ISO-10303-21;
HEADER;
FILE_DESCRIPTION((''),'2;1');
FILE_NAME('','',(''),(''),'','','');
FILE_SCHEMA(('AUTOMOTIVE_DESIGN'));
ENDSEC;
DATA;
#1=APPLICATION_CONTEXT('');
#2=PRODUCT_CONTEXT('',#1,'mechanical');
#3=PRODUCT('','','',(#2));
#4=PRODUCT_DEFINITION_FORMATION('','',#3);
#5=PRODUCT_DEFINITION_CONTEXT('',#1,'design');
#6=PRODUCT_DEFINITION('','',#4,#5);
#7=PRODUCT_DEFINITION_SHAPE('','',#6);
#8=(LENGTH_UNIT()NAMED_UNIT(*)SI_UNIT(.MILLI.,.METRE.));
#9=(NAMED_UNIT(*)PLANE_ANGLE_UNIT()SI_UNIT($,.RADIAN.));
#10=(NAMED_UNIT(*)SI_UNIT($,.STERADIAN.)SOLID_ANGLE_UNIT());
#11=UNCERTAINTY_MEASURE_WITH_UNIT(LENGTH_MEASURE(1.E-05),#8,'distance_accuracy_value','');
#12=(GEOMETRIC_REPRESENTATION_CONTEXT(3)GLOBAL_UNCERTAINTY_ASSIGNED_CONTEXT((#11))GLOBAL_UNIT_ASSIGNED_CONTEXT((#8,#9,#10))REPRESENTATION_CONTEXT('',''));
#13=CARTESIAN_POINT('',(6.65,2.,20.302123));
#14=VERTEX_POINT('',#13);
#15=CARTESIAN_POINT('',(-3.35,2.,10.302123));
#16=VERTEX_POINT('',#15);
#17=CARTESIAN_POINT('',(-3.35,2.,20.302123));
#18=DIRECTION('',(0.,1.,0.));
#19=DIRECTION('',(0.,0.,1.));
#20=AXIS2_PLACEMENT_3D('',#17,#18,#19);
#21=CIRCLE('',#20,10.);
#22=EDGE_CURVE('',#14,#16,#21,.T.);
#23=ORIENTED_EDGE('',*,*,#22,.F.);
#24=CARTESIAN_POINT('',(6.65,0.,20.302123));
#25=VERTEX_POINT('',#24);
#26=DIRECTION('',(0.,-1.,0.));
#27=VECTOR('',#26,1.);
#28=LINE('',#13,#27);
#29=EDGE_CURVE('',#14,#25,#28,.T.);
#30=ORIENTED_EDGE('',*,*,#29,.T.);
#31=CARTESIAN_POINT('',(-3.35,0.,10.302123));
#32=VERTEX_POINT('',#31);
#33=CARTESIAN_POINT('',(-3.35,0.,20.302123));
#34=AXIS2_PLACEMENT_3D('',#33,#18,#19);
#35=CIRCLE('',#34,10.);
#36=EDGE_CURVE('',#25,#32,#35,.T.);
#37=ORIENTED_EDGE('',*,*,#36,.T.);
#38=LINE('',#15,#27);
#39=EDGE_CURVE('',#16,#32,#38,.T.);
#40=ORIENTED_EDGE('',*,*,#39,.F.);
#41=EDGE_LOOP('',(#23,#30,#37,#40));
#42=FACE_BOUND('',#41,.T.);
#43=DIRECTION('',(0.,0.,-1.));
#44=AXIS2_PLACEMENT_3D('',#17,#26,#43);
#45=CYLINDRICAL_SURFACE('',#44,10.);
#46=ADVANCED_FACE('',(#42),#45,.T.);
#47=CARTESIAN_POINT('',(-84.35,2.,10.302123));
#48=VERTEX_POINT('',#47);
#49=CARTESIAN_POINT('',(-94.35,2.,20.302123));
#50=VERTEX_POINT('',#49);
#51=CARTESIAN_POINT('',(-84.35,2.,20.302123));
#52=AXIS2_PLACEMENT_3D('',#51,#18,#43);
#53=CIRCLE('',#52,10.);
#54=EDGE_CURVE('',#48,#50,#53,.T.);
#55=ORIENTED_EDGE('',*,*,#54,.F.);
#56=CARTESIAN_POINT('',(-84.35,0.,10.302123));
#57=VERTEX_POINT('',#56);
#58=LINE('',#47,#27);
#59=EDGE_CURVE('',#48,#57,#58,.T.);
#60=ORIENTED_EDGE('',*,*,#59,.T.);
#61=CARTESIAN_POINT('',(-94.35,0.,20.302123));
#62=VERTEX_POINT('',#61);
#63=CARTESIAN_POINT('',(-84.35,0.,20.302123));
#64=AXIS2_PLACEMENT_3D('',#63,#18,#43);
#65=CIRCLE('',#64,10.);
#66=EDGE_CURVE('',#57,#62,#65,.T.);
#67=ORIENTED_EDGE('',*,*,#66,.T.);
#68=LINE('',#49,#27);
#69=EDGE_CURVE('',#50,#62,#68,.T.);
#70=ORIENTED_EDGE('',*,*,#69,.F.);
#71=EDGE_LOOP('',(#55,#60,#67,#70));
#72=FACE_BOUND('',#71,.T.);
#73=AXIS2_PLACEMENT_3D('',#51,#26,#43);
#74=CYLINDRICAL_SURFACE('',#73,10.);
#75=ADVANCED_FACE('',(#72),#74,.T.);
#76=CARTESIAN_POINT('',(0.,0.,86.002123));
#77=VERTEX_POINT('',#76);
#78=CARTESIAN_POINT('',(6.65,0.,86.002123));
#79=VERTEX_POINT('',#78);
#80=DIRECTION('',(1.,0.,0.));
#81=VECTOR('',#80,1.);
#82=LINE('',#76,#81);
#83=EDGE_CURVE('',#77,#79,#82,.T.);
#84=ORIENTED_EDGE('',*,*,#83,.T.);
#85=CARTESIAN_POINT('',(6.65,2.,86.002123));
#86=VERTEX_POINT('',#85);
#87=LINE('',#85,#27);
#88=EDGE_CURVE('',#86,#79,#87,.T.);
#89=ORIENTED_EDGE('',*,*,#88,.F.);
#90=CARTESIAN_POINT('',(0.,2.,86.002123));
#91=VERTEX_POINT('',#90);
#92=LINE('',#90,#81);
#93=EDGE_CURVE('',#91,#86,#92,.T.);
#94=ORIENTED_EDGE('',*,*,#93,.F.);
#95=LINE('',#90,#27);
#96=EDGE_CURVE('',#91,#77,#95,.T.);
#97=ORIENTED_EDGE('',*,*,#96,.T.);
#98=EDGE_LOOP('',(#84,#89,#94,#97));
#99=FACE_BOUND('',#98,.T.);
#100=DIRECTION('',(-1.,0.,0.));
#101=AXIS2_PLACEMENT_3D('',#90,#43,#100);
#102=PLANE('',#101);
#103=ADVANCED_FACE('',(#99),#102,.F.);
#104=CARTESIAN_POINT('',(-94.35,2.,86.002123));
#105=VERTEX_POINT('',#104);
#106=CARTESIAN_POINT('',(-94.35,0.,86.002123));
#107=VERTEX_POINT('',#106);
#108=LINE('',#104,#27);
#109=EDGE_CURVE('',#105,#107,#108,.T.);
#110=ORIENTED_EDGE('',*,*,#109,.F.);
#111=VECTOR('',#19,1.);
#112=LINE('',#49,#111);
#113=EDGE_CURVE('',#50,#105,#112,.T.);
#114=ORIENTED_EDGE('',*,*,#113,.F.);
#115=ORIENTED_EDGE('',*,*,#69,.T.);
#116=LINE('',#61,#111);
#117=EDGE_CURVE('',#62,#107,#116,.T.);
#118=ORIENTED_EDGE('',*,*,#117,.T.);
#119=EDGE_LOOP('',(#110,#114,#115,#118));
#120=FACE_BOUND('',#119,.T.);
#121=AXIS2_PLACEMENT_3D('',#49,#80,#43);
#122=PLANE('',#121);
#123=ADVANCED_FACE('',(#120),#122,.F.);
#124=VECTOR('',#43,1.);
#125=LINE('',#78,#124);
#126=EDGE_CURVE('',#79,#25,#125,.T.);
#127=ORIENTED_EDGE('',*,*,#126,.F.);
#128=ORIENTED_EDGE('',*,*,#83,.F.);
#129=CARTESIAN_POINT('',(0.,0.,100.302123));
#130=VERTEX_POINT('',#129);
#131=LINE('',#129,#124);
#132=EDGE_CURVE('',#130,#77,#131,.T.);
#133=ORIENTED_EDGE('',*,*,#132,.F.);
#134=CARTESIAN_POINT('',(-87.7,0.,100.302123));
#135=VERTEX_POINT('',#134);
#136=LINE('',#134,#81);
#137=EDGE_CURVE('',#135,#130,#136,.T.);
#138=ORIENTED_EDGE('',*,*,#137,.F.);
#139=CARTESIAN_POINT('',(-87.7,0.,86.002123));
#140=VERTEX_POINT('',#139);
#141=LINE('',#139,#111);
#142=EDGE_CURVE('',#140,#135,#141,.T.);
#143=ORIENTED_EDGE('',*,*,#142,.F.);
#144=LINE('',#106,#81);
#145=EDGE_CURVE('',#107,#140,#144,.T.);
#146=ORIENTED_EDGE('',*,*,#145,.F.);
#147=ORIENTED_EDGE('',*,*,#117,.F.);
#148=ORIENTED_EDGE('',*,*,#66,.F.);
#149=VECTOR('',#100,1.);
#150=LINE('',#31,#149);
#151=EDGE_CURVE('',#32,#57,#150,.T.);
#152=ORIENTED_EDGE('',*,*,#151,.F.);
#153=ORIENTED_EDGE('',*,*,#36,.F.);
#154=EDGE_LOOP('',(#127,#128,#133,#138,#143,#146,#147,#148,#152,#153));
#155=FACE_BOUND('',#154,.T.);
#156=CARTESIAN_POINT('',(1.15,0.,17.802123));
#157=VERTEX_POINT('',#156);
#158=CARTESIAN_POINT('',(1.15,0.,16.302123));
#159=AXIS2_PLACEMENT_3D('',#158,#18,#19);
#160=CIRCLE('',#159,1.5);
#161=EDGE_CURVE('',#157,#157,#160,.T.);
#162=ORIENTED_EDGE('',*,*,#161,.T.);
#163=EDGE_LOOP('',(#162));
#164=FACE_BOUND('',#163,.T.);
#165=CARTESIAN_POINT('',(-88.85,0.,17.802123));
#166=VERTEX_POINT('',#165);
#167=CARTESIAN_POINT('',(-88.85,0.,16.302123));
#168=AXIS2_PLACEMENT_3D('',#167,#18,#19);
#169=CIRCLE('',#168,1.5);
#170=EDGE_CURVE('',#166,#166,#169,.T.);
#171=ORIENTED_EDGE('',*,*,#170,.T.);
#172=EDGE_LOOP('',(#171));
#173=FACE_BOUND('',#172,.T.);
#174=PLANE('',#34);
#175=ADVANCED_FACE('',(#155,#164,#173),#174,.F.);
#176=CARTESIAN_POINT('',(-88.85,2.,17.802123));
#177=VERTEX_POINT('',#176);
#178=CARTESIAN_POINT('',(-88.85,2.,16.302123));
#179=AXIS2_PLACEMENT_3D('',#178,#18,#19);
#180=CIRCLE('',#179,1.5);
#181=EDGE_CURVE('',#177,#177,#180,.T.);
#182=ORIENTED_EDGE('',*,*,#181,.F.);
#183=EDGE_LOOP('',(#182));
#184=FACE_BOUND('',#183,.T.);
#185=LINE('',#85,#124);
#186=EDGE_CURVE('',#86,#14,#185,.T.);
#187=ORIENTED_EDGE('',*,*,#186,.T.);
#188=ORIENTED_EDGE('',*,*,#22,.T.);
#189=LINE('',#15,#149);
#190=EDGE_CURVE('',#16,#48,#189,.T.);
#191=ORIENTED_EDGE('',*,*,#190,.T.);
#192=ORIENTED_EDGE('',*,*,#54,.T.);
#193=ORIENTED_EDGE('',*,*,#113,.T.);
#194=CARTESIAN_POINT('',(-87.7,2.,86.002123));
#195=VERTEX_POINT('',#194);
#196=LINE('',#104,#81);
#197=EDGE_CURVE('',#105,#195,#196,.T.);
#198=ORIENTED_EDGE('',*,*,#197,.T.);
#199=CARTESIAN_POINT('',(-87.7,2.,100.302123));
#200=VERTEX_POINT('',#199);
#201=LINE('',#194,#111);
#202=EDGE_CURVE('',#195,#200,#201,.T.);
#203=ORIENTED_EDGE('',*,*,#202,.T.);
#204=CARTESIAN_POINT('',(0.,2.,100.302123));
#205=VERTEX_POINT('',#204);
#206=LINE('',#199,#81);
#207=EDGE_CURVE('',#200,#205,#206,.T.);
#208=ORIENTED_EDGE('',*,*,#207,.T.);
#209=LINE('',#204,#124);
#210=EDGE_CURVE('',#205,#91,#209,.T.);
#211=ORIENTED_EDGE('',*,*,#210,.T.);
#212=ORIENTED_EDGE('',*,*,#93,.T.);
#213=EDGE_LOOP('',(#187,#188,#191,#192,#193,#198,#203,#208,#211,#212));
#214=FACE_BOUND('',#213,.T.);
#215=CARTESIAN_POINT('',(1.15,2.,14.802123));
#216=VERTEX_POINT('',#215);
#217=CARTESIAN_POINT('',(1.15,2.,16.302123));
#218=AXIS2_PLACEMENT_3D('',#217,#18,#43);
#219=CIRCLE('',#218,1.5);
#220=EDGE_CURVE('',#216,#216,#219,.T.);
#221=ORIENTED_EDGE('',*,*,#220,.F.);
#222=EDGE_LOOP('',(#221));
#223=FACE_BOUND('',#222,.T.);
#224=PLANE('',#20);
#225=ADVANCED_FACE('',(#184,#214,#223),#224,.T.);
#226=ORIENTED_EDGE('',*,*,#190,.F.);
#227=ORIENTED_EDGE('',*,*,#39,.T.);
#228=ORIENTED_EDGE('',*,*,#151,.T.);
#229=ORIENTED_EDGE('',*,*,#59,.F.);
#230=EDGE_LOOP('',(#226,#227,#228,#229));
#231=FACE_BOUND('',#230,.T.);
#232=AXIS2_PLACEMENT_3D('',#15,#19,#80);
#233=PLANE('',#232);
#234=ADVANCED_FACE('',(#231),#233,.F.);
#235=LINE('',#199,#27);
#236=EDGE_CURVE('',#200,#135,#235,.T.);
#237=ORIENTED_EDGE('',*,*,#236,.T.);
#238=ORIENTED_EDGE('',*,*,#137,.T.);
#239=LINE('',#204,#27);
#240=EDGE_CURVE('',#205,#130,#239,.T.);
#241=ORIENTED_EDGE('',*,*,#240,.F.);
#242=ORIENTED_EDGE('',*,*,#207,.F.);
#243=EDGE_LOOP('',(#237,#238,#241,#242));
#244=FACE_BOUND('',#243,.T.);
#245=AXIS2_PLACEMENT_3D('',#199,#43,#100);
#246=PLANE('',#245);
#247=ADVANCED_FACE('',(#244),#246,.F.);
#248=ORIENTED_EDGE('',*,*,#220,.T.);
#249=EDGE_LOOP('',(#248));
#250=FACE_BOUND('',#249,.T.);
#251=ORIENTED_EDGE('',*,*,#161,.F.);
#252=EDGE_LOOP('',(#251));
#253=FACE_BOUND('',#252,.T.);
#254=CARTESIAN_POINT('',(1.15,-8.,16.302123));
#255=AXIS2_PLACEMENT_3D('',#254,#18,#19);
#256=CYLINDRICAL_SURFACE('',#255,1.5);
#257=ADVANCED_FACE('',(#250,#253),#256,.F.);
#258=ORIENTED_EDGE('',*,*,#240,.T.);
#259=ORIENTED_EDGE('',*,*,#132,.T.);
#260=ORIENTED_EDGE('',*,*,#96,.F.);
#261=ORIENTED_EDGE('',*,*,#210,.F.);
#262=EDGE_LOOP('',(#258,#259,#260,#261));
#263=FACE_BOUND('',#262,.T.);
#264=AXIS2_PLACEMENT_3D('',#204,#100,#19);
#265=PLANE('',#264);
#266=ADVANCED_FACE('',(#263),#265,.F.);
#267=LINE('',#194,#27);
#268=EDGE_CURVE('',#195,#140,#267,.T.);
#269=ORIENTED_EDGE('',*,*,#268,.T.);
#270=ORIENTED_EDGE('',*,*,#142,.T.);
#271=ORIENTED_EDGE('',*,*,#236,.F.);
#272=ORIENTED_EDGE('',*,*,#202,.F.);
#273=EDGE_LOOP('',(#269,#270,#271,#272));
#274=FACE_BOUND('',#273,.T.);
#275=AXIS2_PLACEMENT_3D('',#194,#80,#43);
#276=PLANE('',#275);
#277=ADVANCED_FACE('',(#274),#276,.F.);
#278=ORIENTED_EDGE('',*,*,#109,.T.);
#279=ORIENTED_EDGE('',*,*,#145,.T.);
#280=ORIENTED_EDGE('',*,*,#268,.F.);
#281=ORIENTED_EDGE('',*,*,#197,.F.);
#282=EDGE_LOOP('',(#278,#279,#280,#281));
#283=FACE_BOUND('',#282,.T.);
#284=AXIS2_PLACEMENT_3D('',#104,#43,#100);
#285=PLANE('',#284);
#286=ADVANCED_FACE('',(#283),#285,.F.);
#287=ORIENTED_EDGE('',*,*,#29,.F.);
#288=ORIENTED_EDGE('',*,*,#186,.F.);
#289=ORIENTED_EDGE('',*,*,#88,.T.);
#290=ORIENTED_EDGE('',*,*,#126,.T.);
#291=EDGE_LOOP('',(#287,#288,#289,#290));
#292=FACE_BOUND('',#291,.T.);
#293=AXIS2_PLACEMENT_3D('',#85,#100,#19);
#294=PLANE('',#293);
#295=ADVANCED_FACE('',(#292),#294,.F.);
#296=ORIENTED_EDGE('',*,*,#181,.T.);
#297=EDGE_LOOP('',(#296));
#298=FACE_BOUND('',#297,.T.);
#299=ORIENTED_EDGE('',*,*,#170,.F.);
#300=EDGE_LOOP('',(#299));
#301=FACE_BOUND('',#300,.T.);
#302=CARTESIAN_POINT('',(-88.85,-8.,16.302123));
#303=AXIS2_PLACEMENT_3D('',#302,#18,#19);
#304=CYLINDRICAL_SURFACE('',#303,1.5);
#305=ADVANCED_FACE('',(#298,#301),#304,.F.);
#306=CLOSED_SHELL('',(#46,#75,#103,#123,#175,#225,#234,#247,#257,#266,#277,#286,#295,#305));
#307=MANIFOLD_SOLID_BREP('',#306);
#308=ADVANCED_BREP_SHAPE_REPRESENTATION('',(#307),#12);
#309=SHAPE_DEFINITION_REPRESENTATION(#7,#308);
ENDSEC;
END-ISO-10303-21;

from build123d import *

# Parameters (mm, degrees)
EXTRUDE_1_DEPTH     = 2
SKETCH_3_R          = 1.5
CUT_EXTRUDE_1_DEPTH = 10


with BuildPart() as part:
    # 草图1 → 凸台-拉伸1 (new body)
    with BuildSketch(Plane(origin=(0, 0, 0), x_dir=(1, 0, 0), z_dir=(0, 1, 0))):
        with BuildLine():
            Line((0, -100.302122976), (0, -86.002122976))
            Line((0, -86.002122976), (6.65, -86.002122976))
            Line((6.65, -86.002122976), (6.65, -20.302122976))
            ThreePointArc((6.65, -20.302122976), (3.721067812, -13.231055164), (-3.35, -10.302122976))
            Line((-3.35, -10.302122976), (-84.35, -10.302122976))
            ThreePointArc((-84.35, -10.302122976), (-91.421067812, -13.231055164), (-94.35, -20.302122976))
            Line((-94.35, -20.302122976), (-94.35, -86.002122976))
            Line((-94.35, -86.002122976), (-87.7, -86.002122976))
            Line((-87.7, -86.002122976), (-87.7, -100.302122976))
            Line((-87.7, -100.302122976), (0, -100.302122976))
        make_face()
    extrude(amount=EXTRUDE_1_DEPTH)

    # 草图3 → 切除-拉伸1 (cut)
    with BuildSketch(Plane(origin=(0, 2, 0), x_dir=(1, 0, 0), z_dir=(0, 1, 0))):
        with Locations(Location((-88.85, -16.302122976, 0), (0, 0, 270))):
            Circle(SKETCH_3_R)
        with Locations(Location((1.15, -16.302122976, 0), (0, 0, 270))):
            Circle(SKETCH_3_R)
    extrude(amount=-CUT_EXTRUDE_1_DEPTH, mode=Mode.SUBTRACT)


solid = part.part
